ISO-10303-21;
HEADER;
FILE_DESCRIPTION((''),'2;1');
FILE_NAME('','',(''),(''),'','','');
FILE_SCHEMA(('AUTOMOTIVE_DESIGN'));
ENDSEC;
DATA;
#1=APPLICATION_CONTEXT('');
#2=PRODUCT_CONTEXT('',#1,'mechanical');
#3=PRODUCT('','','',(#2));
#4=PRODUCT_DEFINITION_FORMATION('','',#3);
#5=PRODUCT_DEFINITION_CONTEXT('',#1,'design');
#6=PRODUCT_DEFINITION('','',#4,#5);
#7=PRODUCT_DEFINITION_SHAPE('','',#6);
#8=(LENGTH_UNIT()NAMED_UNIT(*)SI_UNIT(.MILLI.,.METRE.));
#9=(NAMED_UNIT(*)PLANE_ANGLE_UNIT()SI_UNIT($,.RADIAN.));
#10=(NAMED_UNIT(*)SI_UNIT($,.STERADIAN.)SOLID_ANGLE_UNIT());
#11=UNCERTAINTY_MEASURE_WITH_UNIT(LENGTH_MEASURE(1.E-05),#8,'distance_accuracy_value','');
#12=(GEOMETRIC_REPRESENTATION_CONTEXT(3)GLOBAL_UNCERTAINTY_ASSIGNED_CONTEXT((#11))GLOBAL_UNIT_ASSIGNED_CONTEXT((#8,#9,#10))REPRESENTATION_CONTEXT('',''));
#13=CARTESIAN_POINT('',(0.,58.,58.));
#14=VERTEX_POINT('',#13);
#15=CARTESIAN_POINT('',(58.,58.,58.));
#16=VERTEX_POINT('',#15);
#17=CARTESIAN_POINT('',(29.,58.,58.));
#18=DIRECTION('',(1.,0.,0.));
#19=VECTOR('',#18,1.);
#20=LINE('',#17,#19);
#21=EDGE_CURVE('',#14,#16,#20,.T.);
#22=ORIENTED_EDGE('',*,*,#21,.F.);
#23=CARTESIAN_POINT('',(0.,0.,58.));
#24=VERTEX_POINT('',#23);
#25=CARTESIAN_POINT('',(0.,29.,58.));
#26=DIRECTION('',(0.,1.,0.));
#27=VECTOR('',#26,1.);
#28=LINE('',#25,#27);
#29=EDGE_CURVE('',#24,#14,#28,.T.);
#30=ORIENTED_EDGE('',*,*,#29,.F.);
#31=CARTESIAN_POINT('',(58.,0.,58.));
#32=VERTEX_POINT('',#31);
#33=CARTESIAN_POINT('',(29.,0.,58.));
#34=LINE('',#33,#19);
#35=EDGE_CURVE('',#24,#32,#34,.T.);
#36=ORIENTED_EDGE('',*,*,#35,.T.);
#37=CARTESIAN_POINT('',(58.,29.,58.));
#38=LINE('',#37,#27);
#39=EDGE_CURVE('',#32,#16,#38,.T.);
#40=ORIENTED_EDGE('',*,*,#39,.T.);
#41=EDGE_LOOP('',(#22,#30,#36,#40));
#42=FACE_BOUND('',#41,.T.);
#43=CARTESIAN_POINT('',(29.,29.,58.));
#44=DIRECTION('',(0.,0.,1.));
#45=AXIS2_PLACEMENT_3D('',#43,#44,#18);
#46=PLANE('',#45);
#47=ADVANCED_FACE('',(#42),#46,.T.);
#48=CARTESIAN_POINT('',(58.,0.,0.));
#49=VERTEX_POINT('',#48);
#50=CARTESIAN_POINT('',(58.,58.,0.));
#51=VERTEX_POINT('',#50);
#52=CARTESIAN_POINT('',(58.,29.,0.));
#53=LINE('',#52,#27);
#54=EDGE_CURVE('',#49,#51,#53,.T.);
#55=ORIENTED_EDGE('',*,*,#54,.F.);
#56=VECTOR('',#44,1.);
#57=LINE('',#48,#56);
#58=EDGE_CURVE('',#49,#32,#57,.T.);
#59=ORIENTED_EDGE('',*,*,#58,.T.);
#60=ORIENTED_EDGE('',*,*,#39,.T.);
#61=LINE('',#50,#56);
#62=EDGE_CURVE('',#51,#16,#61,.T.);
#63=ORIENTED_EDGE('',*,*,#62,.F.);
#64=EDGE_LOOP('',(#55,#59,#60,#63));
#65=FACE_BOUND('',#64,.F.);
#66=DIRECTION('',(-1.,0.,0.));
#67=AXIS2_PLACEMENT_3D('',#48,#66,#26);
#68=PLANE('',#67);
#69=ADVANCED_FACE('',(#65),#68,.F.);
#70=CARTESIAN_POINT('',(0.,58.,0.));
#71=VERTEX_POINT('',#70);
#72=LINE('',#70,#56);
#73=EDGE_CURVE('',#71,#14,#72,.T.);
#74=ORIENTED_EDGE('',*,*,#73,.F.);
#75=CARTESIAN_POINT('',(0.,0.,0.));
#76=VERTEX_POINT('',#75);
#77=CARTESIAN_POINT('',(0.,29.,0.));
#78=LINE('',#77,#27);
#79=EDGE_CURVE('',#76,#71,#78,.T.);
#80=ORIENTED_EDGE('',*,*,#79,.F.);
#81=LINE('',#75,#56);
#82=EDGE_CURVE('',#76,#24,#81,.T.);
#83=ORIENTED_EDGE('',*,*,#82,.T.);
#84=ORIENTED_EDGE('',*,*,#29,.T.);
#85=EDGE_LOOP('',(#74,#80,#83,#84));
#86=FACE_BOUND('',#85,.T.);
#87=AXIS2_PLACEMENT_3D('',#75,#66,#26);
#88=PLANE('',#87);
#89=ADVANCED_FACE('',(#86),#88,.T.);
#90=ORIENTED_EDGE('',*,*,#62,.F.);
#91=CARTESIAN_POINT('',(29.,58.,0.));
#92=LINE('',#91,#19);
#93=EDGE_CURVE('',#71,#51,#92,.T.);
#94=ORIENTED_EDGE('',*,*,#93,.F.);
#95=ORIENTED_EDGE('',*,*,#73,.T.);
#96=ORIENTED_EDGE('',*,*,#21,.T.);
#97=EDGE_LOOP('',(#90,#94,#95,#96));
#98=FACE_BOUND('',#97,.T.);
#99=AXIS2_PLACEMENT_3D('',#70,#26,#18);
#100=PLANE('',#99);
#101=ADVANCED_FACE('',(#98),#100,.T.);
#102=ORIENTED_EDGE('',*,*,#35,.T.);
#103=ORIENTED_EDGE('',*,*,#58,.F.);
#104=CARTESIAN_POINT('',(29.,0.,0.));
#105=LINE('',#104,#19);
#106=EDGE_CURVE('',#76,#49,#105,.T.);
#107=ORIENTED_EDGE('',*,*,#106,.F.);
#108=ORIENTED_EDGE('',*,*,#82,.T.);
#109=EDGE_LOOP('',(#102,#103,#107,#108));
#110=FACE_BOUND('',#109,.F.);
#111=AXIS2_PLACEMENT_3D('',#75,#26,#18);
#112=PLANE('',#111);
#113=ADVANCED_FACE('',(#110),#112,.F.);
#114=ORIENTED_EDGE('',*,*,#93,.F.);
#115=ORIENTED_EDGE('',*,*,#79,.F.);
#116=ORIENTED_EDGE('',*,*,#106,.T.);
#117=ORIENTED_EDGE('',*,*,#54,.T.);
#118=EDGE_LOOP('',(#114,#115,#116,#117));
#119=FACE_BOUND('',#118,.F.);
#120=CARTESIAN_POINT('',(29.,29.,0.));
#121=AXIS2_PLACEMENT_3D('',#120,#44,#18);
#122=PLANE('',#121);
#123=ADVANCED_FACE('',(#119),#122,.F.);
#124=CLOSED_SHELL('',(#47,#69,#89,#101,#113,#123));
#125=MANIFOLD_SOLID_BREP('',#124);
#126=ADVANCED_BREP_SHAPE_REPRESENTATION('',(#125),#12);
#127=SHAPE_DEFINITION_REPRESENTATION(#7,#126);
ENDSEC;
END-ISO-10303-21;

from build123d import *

# Parameters (mm, degrees)
ESQUISSE1_W        = 58
ESQUISSE1_H        = 58
BOSS_EXTRU_1_DEPTH = 58


with BuildPart() as part:
    # Esquisse1 → Boss.-Extru.1 (new body)
    with BuildSketch(Plane.XY):
        with Locations((29, 29)):
            Rectangle(ESQUISSE1_W, ESQUISSE1_H)
    extrude(amount=BOSS_EXTRU_1_DEPTH)


solid = part.part
